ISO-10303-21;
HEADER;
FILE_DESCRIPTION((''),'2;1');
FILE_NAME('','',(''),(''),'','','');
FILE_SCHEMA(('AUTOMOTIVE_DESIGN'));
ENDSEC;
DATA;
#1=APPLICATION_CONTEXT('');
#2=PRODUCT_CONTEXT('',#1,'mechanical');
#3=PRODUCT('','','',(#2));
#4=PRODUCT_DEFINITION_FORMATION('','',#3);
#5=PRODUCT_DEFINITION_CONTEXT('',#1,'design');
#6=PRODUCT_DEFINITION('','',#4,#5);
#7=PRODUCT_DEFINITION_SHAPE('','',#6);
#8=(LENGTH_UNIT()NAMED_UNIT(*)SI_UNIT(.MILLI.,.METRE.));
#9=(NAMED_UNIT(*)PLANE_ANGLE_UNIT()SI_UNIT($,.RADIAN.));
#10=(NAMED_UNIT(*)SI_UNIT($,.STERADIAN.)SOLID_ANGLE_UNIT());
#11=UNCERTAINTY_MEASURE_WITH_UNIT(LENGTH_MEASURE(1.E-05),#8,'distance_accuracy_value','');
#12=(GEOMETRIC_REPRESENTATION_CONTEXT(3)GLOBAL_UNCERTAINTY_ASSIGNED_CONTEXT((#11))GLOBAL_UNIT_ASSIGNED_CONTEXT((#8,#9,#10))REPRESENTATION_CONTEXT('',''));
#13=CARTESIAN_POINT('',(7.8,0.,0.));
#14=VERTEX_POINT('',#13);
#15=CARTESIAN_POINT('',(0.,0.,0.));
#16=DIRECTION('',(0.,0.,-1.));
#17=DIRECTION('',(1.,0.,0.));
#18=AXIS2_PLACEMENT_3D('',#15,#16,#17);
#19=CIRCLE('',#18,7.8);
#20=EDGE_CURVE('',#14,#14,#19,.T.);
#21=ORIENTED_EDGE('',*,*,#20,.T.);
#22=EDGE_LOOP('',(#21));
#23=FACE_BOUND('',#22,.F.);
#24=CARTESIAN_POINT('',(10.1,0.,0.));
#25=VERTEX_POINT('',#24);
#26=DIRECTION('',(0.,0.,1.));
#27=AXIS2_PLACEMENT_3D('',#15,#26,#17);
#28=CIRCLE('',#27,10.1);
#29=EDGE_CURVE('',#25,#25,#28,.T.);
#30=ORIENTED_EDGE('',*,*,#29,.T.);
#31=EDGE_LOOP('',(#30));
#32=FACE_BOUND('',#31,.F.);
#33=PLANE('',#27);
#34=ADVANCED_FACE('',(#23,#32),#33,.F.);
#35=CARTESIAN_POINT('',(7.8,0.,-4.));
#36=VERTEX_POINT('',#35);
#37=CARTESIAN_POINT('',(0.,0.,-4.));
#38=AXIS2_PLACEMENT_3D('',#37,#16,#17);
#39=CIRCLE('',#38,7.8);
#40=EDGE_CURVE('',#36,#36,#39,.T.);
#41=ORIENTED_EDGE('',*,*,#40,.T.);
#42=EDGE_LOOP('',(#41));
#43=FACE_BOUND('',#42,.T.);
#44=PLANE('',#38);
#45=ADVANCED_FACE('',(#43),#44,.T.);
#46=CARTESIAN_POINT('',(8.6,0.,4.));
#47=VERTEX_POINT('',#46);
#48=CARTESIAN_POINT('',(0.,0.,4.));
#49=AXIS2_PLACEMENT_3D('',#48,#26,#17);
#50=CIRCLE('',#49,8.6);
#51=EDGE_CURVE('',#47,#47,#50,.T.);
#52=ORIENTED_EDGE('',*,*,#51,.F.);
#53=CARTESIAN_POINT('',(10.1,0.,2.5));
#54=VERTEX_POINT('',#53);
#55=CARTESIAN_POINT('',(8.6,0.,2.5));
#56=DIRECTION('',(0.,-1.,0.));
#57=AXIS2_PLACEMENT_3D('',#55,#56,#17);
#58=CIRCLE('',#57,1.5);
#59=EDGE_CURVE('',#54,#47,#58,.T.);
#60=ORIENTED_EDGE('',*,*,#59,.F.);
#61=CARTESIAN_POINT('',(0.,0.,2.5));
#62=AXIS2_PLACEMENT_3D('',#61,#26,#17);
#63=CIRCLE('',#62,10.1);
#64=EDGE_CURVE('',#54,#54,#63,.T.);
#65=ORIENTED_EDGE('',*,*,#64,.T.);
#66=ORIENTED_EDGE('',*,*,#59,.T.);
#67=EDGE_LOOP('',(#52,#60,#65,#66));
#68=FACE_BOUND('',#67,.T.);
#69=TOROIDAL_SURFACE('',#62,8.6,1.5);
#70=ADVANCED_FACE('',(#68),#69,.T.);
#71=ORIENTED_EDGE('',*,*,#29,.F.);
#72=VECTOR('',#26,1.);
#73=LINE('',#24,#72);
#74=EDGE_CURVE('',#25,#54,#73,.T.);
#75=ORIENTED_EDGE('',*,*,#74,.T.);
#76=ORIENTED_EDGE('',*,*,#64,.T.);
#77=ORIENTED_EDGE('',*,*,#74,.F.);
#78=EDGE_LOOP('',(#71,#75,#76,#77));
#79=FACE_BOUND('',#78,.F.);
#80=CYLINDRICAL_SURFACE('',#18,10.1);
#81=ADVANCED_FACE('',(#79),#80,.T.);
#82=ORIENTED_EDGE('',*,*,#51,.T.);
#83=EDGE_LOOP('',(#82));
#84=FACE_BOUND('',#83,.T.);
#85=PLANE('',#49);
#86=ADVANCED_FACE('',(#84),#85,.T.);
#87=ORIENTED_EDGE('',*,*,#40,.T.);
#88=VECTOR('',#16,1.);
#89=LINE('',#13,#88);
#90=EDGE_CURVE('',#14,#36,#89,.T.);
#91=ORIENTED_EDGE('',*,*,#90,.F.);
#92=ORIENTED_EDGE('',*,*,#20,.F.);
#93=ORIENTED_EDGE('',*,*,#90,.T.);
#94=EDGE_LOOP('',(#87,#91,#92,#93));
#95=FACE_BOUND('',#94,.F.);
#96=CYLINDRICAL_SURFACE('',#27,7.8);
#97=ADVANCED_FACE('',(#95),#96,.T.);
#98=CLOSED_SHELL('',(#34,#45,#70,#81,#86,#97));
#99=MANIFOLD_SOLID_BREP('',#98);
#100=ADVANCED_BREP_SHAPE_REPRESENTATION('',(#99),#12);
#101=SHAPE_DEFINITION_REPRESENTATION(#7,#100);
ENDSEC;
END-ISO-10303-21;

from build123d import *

# Parameters (mm, degrees)
F0_R     = 10.1
F1_DEPTH = 4
F2_R     = 1.5
F3_R     = 7.8
F4_DEPTH = 4


with BuildPart() as f1:
    # F0 (on Top) → F1 (new body)
    with BuildSketch(Plane.XY):
        Circle(F0_R)
    extrude(amount=F1_DEPTH)

    # F2
    f2_edges = [f1.edges().sort_by_distance(p)[0] for p in [
        (-10.1, 0, 4),
    ]]
    fillet(f2_edges, radius=F2_R)

    # F3 (on face) → F4 (join)
    with BuildSketch(Plane(origin=(0, 0, 0), x_dir=(1, 0, 0), z_dir=(0, 0, -1))):
        Circle(F3_R)
    extrude(amount=F4_DEPTH)


solid = f1.part
